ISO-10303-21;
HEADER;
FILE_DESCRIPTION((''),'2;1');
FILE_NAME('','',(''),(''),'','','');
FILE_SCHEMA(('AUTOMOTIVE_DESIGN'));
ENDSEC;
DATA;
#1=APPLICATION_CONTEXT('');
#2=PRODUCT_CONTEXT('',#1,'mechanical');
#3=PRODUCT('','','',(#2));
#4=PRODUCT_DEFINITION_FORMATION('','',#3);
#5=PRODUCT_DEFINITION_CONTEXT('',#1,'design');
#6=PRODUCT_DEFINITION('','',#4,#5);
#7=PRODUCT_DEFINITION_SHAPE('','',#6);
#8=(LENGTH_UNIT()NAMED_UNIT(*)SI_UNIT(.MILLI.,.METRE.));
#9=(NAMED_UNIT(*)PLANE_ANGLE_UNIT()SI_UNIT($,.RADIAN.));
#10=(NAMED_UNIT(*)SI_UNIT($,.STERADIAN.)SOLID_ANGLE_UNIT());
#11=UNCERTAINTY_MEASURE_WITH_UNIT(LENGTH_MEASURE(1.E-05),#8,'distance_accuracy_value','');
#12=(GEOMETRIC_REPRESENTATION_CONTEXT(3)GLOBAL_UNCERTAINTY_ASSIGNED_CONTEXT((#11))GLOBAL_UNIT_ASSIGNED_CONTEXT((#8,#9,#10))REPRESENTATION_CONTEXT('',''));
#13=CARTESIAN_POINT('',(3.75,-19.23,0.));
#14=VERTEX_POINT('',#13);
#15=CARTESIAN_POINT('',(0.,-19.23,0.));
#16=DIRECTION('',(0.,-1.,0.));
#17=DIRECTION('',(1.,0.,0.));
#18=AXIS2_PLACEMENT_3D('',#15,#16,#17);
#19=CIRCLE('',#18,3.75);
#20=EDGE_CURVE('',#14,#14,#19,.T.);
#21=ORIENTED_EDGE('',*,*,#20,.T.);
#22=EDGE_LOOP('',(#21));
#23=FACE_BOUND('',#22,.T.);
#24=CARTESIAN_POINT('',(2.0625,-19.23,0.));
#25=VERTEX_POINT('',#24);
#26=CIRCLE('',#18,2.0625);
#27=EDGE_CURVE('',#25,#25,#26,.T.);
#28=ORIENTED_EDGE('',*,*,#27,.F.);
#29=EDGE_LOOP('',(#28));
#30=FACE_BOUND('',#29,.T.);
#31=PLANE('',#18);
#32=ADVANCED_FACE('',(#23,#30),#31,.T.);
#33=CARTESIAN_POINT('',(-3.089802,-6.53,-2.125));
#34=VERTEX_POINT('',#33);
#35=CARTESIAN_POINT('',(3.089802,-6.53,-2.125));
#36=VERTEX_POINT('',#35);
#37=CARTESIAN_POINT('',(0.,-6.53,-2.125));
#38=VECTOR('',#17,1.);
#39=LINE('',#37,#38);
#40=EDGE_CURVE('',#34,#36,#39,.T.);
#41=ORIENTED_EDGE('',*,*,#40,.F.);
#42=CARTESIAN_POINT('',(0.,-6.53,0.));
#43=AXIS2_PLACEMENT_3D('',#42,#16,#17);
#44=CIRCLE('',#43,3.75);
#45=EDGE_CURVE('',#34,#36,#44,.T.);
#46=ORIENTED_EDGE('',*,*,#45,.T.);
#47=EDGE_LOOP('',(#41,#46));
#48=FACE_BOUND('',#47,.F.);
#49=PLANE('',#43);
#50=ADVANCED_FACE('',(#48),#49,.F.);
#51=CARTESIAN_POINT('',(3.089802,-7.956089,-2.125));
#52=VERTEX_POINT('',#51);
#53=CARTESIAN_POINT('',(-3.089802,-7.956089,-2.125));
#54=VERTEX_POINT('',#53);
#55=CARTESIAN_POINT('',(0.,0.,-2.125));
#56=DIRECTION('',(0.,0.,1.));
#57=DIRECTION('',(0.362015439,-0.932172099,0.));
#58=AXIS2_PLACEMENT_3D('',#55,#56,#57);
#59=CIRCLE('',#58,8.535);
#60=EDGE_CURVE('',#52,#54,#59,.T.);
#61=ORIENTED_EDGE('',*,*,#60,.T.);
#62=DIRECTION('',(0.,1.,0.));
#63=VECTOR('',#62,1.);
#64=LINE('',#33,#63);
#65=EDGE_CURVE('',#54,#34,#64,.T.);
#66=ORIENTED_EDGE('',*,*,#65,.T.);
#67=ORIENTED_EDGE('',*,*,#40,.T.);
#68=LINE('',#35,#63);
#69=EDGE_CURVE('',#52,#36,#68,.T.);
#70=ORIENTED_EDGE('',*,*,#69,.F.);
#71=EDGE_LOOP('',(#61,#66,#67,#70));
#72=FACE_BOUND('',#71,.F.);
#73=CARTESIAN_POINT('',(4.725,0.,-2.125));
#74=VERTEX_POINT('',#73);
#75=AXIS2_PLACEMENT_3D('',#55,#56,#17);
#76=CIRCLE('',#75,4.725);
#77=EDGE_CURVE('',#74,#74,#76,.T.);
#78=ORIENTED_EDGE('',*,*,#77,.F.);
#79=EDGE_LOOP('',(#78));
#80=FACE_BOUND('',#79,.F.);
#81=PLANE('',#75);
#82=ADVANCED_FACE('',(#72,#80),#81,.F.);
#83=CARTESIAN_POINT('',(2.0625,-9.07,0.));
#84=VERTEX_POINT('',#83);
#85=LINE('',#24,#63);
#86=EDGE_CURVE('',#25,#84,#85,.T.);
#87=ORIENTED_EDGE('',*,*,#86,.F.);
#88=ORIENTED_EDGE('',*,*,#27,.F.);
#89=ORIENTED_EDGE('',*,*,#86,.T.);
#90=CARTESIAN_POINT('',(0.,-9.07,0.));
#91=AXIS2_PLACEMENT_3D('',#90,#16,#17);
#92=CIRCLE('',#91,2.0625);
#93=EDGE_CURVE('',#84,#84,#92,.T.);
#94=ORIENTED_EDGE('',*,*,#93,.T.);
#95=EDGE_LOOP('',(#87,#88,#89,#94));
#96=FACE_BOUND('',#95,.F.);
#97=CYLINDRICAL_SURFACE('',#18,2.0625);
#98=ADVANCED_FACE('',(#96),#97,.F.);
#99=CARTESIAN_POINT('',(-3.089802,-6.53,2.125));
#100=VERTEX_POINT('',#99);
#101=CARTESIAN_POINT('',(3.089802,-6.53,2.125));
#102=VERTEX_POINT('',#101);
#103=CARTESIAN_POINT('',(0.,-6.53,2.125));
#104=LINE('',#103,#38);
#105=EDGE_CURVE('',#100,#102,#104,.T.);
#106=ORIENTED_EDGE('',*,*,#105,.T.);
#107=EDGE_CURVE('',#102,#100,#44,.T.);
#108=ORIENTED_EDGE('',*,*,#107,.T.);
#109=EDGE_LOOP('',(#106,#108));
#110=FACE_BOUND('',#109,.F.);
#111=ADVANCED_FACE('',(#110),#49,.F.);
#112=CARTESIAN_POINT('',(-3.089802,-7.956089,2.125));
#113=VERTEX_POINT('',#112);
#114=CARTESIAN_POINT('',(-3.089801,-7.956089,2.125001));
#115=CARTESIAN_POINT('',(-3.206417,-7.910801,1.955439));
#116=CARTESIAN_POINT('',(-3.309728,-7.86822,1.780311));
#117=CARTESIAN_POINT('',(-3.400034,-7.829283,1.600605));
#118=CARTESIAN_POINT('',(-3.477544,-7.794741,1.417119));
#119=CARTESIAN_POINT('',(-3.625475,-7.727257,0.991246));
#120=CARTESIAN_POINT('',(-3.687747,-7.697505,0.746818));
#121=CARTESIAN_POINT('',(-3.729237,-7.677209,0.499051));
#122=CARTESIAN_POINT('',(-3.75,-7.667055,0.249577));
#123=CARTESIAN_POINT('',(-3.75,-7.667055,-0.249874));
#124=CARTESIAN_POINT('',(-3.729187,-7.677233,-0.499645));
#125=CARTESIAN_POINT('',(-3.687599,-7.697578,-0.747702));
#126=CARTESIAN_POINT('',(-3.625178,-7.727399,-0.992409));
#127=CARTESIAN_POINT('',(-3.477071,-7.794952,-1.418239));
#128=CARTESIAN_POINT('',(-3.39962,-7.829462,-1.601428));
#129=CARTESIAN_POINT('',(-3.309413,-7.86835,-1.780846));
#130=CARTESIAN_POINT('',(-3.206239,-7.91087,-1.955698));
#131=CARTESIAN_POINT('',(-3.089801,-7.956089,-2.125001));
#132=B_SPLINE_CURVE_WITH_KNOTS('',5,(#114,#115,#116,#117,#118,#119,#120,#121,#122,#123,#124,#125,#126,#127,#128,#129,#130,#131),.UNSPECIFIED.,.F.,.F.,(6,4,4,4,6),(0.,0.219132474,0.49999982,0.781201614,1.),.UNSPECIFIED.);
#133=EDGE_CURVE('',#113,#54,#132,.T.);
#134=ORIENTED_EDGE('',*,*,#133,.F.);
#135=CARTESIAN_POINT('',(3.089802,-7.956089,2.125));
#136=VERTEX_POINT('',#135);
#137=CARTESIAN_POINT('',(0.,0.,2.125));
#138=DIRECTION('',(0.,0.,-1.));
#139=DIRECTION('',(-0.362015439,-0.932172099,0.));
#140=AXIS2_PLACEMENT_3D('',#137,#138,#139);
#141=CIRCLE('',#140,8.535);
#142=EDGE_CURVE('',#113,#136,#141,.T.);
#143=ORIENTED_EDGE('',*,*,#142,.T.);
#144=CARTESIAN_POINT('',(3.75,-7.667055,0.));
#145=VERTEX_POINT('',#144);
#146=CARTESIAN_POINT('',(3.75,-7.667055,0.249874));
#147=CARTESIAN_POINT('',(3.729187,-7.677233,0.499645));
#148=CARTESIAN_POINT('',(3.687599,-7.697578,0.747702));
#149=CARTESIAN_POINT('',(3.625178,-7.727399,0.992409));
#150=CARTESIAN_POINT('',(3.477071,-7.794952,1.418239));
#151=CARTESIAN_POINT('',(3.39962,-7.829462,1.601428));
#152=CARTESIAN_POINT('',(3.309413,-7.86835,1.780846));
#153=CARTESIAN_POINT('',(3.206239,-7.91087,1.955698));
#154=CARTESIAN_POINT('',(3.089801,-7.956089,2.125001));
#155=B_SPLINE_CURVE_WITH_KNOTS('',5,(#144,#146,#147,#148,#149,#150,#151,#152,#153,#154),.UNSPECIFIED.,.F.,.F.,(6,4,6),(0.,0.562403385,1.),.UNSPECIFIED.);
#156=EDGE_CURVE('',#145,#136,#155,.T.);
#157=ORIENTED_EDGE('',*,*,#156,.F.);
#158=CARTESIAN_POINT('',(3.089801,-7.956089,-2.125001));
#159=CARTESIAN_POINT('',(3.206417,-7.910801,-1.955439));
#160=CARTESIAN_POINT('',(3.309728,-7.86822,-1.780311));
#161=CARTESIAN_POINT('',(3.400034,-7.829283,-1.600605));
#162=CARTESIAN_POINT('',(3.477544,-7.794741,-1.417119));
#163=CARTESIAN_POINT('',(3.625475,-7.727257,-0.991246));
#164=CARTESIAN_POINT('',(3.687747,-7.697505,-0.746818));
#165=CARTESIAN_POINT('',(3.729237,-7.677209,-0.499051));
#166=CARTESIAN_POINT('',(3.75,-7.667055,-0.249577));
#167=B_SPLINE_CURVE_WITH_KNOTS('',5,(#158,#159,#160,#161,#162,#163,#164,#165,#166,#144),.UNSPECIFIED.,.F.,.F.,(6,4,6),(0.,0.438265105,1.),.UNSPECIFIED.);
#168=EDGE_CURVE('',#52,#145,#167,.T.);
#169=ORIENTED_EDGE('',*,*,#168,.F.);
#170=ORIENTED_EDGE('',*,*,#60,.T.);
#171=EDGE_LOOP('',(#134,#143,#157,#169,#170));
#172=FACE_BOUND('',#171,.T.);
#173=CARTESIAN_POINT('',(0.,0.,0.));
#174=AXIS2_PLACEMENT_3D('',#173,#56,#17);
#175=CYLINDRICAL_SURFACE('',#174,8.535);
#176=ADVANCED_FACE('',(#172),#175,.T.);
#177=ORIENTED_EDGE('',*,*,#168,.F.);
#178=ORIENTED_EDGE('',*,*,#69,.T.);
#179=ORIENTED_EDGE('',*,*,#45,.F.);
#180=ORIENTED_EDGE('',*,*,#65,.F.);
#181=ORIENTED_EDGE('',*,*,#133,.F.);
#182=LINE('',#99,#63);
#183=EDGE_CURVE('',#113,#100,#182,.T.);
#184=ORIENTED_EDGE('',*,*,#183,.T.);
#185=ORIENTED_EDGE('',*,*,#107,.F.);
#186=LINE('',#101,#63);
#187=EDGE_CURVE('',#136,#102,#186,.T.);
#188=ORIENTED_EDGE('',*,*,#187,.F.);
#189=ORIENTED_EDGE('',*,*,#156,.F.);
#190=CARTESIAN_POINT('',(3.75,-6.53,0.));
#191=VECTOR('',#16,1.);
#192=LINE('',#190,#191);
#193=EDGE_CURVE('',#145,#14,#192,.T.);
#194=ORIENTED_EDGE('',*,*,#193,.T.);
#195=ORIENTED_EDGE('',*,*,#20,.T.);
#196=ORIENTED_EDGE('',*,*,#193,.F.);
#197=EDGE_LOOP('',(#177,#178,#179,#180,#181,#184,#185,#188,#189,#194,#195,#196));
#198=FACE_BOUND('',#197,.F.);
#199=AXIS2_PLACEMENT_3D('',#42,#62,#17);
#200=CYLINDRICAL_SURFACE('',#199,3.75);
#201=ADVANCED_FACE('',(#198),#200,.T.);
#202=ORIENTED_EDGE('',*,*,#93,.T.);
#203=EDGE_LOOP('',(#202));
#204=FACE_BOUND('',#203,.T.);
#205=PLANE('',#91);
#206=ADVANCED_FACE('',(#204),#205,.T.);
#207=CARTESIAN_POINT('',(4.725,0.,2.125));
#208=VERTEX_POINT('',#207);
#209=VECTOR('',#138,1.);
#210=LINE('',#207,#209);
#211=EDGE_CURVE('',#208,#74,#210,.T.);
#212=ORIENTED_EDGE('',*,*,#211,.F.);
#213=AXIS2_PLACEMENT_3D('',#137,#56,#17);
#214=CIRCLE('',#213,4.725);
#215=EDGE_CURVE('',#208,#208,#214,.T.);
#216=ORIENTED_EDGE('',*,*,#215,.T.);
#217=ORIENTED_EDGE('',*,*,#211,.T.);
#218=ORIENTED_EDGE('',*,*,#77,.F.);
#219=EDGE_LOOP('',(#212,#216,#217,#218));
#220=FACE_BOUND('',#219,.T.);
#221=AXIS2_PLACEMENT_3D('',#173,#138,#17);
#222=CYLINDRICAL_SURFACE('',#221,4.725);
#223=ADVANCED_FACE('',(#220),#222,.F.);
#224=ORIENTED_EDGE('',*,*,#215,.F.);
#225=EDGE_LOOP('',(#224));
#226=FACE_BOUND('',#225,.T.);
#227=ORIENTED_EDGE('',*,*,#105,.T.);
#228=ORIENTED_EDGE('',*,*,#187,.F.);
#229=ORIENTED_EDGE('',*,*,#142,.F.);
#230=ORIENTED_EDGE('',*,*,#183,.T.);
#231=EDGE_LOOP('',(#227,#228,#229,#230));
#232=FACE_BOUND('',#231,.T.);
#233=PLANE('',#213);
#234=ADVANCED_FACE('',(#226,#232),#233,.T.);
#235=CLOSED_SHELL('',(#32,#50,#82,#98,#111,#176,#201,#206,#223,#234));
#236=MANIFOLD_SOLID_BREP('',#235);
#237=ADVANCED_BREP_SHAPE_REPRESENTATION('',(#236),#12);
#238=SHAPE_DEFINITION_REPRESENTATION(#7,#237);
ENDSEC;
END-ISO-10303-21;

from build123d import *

# Parameters (mm, degrees)
F0_R     = 8.535
F0_R_2   = 4.725
F1_DEPTH = 2.125
F3_R     = 3.75
F3_R_2   = 2
F4_DEPTH = 12.7
F5_R     = 2.0625
F6_DEPTH = 10.16


with BuildPart() as f1:
    # F0 (on Top) → F1 (new body, symmetric)
    with BuildSketch(Plane.XY):
        Circle(F0_R)
        Circle(F0_R_2, mode=Mode.SUBTRACT)
    extrude(amount=F1_DEPTH, both=True)

    # F3 (on offset) → F4 (join)
    with BuildSketch(Plane.XZ.offset(6.53)):
        Circle(F3_R)
        Circle(F3_R_2, mode=Mode.SUBTRACT)
        Circle(F3_R_2)
    extrude(amount=F4_DEPTH)

    # F5 (on face) → F6 (cut)
    with BuildSketch(Plane.XZ.offset(19.23)):
        Circle(F5_R)
    extrude(amount=-F6_DEPTH, mode=Mode.SUBTRACT)


solid = f1.part
